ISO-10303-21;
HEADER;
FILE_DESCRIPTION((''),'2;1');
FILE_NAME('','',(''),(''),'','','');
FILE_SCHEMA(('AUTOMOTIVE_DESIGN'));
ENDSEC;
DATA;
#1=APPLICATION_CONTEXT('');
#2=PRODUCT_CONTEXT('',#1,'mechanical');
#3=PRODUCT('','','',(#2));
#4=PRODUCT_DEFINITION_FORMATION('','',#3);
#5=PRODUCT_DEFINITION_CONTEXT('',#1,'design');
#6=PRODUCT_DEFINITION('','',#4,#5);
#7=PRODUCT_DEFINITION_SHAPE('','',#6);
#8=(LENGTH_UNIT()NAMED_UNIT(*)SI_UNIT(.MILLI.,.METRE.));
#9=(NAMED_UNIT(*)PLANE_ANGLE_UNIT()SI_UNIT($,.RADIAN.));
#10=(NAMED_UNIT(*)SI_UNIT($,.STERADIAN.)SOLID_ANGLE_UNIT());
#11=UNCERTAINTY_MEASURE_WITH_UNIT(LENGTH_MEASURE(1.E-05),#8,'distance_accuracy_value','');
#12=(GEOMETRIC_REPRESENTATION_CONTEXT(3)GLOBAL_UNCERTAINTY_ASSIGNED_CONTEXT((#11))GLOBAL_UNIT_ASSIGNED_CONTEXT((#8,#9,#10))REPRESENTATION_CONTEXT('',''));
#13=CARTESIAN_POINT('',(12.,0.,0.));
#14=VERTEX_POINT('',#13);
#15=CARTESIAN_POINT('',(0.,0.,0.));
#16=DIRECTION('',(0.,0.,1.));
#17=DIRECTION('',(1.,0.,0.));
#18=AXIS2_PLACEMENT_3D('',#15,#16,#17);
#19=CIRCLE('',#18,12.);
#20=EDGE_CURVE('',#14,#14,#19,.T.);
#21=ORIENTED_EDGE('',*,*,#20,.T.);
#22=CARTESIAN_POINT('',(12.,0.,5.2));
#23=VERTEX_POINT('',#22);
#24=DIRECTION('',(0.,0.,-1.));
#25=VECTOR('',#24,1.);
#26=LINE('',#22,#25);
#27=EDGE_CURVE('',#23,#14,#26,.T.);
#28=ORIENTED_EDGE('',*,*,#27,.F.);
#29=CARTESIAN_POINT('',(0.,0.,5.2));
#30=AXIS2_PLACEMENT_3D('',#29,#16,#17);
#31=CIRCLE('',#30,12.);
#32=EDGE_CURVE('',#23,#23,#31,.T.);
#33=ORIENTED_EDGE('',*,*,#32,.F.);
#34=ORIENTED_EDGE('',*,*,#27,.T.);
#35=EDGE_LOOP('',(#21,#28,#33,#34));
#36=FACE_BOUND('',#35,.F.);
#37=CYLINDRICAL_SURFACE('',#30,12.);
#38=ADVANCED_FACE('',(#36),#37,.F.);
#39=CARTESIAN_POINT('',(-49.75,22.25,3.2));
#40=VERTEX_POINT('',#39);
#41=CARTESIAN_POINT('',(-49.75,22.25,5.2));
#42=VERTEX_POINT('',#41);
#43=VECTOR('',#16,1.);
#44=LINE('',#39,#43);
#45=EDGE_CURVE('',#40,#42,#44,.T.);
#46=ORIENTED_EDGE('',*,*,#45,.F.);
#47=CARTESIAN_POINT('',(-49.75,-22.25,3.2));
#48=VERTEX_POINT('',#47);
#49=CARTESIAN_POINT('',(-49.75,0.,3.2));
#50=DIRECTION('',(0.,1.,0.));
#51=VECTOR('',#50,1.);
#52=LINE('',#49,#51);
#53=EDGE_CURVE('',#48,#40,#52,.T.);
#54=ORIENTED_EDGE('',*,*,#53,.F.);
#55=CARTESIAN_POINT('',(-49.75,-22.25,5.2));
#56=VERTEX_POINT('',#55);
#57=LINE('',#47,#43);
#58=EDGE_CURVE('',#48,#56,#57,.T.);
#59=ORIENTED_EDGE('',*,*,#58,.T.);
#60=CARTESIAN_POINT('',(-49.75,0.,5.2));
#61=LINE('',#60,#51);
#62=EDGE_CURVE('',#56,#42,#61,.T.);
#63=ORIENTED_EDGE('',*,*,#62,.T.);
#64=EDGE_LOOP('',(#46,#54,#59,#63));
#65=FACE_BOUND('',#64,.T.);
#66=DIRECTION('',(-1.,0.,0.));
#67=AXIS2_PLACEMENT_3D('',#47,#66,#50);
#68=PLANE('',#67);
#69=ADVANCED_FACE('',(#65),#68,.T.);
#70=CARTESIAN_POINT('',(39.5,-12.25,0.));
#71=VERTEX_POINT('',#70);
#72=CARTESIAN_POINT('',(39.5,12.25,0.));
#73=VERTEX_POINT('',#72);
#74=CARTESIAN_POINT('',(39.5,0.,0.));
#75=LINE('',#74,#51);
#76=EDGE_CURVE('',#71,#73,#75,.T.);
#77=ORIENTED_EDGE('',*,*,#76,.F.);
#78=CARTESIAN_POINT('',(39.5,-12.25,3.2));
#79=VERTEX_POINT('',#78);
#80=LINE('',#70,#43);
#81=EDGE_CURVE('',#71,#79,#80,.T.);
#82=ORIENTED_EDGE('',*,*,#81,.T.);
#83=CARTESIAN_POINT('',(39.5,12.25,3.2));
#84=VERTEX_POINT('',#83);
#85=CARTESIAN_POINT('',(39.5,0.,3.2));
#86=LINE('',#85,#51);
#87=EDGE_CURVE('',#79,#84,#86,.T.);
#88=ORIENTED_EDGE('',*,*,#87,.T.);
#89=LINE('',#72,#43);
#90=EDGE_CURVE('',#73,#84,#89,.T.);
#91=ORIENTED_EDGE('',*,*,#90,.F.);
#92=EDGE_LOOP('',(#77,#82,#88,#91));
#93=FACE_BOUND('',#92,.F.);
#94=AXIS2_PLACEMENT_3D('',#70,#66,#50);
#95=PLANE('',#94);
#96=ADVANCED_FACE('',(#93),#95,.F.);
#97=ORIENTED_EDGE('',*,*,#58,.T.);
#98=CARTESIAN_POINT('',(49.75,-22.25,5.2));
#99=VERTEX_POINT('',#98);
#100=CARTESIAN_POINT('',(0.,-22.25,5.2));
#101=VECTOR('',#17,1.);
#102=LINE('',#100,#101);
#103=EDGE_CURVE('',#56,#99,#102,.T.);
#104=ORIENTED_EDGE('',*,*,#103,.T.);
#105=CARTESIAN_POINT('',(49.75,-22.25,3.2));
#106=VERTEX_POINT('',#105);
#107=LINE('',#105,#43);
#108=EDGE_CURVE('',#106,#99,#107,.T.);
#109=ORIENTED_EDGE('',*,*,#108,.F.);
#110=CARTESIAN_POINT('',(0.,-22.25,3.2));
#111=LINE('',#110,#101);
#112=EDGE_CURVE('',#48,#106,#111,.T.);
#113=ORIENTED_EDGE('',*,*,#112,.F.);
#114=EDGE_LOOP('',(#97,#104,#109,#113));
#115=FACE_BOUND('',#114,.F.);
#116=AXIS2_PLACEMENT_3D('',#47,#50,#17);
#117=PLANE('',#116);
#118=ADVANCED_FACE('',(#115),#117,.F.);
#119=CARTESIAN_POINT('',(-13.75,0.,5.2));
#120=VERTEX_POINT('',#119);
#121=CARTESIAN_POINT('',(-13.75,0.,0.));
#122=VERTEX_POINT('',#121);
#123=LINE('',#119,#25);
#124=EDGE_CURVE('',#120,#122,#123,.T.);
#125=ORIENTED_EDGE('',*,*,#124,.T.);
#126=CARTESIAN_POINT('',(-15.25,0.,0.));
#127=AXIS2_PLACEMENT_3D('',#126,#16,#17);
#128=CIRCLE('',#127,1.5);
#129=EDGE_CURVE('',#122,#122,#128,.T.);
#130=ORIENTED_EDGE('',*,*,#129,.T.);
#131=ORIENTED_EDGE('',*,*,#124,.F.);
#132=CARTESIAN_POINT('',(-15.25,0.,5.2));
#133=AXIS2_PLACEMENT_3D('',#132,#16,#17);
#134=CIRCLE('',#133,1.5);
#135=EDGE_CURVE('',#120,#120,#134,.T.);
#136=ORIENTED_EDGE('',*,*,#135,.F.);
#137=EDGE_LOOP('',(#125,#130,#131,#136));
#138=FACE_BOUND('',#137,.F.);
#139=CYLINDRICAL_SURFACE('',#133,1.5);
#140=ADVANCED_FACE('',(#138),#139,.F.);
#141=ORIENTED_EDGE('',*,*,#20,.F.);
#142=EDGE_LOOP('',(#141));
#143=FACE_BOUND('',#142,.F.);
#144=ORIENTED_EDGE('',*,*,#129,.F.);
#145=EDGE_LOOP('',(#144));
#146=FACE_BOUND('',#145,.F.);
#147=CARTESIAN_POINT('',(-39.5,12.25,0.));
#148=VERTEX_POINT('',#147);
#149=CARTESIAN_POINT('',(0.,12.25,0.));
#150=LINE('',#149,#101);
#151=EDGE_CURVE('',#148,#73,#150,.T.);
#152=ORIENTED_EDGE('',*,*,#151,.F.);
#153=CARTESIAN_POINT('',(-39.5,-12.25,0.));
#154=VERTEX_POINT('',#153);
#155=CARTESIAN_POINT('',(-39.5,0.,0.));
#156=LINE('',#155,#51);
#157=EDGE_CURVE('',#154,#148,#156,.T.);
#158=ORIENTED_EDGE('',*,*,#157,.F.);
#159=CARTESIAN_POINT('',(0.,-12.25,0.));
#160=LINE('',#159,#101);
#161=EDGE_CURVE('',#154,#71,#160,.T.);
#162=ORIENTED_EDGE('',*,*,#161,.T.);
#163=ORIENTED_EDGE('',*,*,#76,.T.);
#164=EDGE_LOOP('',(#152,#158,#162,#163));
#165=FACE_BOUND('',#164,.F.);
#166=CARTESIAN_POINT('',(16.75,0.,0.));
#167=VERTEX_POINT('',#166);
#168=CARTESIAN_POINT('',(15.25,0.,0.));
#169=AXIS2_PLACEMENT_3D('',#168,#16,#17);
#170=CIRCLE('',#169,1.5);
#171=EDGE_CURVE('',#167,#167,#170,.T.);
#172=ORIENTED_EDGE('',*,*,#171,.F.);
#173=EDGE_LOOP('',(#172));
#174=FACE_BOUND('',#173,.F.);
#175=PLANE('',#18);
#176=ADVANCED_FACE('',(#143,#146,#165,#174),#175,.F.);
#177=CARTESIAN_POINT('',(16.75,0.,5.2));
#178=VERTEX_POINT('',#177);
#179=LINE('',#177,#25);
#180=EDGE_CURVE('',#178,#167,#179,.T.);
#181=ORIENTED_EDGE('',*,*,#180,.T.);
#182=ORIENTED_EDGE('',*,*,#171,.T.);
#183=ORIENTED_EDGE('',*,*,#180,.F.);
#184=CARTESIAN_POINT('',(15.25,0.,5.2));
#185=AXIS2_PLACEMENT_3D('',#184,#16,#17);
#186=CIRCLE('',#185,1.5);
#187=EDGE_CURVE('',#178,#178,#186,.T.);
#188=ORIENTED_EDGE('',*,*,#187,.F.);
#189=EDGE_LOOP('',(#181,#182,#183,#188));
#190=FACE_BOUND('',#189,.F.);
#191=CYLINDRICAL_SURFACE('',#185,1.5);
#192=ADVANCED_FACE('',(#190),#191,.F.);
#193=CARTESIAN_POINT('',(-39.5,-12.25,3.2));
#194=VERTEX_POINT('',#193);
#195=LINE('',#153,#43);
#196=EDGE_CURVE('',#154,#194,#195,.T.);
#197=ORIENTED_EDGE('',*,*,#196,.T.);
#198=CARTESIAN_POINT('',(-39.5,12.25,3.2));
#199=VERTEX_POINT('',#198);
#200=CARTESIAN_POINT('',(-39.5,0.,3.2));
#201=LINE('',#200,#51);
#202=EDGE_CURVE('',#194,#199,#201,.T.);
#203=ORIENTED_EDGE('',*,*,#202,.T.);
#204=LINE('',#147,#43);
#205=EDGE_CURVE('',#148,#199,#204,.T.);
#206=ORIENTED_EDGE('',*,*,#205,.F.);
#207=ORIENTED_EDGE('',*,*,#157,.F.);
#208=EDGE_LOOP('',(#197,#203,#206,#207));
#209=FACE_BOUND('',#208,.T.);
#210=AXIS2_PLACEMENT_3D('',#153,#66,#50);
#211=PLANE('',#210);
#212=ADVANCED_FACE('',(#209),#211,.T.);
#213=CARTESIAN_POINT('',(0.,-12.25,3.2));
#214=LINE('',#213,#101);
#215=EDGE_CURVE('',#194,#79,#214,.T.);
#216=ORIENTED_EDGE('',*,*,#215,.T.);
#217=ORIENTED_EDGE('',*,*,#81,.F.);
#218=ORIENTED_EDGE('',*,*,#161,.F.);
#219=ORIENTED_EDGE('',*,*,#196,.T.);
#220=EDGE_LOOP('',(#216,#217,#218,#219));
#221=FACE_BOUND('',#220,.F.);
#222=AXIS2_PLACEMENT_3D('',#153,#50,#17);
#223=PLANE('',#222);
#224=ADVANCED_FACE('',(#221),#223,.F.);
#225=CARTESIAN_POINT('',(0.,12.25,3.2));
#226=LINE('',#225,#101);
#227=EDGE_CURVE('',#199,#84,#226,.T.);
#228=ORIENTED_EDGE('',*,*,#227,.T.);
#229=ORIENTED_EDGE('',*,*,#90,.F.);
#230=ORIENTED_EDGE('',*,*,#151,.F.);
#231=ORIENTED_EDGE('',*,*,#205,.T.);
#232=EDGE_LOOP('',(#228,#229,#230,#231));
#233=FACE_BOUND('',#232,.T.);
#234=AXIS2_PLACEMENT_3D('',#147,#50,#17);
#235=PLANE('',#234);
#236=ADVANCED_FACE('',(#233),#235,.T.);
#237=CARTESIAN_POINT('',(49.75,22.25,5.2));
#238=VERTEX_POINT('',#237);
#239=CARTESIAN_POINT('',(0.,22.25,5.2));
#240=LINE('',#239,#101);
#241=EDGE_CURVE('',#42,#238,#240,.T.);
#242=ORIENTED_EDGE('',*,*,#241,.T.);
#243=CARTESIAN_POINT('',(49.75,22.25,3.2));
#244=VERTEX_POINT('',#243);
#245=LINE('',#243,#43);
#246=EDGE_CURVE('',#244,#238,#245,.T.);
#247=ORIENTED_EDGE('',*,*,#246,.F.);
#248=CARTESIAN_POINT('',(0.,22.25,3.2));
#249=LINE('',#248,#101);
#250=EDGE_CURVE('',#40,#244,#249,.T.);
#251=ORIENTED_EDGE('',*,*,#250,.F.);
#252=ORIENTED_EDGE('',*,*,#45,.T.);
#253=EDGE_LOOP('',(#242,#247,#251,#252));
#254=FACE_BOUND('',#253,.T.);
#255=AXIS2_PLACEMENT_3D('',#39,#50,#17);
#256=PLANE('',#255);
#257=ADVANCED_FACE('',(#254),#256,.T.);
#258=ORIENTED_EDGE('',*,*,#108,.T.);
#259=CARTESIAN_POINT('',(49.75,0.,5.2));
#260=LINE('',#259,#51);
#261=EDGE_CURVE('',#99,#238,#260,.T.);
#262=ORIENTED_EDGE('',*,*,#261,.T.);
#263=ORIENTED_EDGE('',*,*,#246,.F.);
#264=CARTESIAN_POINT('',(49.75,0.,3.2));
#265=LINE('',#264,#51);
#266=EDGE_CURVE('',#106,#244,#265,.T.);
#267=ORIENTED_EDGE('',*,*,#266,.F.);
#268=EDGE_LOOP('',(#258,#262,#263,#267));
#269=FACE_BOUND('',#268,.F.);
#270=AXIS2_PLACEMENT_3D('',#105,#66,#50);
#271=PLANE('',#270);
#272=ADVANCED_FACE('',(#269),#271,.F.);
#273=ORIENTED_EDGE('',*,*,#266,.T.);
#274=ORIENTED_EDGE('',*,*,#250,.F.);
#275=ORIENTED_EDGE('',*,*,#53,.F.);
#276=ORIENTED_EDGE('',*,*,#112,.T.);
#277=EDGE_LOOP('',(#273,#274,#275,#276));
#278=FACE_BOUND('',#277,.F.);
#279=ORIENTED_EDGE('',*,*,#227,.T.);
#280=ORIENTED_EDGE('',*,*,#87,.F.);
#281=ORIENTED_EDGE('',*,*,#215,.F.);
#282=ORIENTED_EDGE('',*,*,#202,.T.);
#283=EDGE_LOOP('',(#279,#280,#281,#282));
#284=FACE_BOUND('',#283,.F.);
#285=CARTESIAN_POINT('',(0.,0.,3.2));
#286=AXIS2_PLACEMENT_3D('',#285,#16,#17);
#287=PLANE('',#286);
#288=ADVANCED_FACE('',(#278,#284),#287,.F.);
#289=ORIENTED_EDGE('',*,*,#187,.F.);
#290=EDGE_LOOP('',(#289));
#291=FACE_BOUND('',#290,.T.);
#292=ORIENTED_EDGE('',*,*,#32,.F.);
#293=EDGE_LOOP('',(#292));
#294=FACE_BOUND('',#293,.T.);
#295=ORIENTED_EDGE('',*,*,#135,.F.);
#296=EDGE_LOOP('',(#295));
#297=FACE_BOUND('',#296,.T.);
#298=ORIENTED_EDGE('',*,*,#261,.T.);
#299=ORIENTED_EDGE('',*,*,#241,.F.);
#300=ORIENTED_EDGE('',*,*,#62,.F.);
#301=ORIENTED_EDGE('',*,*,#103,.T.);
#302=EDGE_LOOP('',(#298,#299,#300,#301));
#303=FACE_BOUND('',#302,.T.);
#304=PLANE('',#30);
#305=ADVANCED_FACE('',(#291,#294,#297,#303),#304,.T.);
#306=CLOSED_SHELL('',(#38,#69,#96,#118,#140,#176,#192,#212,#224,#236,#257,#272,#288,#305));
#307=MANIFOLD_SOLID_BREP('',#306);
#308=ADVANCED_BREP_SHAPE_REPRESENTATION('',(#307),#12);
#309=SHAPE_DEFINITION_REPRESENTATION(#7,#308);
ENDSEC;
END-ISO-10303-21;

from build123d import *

# Parameters (mm, degrees)
F0_W     = 79
F0_H     = 24.5
F1_DEPTH = 3.2
F2_W     = 99.5
F2_H     = 44.5
F3_DEPTH = 2
F4_R     = 12
F4_R_2   = 1.5
F5_DEPTH = 5.2


with BuildPart() as f1:
    # F0 (on Top) → F1 (new body)
    with BuildSketch(Plane.XY):
        Rectangle(F0_W, F0_H)
    extrude(amount=F1_DEPTH)

    # F2 (on face) → F3 (join)
    with BuildSketch(Plane.XY.offset(3.2)):
        Rectangle(F2_W, F2_H)
    extrude(amount=F3_DEPTH)

    # F4 (on face) → F5 (cut, through all)
    with BuildSketch(Plane.XY.offset(5.2)):
        Circle(F4_R)
        with Locations((-15.25, 0)):
            Circle(F4_R_2)
        with Locations((15.25, 0)):
            Circle(F4_R_2)
    extrude(amount=-F5_DEPTH, mode=Mode.SUBTRACT)


solid = f1.part
